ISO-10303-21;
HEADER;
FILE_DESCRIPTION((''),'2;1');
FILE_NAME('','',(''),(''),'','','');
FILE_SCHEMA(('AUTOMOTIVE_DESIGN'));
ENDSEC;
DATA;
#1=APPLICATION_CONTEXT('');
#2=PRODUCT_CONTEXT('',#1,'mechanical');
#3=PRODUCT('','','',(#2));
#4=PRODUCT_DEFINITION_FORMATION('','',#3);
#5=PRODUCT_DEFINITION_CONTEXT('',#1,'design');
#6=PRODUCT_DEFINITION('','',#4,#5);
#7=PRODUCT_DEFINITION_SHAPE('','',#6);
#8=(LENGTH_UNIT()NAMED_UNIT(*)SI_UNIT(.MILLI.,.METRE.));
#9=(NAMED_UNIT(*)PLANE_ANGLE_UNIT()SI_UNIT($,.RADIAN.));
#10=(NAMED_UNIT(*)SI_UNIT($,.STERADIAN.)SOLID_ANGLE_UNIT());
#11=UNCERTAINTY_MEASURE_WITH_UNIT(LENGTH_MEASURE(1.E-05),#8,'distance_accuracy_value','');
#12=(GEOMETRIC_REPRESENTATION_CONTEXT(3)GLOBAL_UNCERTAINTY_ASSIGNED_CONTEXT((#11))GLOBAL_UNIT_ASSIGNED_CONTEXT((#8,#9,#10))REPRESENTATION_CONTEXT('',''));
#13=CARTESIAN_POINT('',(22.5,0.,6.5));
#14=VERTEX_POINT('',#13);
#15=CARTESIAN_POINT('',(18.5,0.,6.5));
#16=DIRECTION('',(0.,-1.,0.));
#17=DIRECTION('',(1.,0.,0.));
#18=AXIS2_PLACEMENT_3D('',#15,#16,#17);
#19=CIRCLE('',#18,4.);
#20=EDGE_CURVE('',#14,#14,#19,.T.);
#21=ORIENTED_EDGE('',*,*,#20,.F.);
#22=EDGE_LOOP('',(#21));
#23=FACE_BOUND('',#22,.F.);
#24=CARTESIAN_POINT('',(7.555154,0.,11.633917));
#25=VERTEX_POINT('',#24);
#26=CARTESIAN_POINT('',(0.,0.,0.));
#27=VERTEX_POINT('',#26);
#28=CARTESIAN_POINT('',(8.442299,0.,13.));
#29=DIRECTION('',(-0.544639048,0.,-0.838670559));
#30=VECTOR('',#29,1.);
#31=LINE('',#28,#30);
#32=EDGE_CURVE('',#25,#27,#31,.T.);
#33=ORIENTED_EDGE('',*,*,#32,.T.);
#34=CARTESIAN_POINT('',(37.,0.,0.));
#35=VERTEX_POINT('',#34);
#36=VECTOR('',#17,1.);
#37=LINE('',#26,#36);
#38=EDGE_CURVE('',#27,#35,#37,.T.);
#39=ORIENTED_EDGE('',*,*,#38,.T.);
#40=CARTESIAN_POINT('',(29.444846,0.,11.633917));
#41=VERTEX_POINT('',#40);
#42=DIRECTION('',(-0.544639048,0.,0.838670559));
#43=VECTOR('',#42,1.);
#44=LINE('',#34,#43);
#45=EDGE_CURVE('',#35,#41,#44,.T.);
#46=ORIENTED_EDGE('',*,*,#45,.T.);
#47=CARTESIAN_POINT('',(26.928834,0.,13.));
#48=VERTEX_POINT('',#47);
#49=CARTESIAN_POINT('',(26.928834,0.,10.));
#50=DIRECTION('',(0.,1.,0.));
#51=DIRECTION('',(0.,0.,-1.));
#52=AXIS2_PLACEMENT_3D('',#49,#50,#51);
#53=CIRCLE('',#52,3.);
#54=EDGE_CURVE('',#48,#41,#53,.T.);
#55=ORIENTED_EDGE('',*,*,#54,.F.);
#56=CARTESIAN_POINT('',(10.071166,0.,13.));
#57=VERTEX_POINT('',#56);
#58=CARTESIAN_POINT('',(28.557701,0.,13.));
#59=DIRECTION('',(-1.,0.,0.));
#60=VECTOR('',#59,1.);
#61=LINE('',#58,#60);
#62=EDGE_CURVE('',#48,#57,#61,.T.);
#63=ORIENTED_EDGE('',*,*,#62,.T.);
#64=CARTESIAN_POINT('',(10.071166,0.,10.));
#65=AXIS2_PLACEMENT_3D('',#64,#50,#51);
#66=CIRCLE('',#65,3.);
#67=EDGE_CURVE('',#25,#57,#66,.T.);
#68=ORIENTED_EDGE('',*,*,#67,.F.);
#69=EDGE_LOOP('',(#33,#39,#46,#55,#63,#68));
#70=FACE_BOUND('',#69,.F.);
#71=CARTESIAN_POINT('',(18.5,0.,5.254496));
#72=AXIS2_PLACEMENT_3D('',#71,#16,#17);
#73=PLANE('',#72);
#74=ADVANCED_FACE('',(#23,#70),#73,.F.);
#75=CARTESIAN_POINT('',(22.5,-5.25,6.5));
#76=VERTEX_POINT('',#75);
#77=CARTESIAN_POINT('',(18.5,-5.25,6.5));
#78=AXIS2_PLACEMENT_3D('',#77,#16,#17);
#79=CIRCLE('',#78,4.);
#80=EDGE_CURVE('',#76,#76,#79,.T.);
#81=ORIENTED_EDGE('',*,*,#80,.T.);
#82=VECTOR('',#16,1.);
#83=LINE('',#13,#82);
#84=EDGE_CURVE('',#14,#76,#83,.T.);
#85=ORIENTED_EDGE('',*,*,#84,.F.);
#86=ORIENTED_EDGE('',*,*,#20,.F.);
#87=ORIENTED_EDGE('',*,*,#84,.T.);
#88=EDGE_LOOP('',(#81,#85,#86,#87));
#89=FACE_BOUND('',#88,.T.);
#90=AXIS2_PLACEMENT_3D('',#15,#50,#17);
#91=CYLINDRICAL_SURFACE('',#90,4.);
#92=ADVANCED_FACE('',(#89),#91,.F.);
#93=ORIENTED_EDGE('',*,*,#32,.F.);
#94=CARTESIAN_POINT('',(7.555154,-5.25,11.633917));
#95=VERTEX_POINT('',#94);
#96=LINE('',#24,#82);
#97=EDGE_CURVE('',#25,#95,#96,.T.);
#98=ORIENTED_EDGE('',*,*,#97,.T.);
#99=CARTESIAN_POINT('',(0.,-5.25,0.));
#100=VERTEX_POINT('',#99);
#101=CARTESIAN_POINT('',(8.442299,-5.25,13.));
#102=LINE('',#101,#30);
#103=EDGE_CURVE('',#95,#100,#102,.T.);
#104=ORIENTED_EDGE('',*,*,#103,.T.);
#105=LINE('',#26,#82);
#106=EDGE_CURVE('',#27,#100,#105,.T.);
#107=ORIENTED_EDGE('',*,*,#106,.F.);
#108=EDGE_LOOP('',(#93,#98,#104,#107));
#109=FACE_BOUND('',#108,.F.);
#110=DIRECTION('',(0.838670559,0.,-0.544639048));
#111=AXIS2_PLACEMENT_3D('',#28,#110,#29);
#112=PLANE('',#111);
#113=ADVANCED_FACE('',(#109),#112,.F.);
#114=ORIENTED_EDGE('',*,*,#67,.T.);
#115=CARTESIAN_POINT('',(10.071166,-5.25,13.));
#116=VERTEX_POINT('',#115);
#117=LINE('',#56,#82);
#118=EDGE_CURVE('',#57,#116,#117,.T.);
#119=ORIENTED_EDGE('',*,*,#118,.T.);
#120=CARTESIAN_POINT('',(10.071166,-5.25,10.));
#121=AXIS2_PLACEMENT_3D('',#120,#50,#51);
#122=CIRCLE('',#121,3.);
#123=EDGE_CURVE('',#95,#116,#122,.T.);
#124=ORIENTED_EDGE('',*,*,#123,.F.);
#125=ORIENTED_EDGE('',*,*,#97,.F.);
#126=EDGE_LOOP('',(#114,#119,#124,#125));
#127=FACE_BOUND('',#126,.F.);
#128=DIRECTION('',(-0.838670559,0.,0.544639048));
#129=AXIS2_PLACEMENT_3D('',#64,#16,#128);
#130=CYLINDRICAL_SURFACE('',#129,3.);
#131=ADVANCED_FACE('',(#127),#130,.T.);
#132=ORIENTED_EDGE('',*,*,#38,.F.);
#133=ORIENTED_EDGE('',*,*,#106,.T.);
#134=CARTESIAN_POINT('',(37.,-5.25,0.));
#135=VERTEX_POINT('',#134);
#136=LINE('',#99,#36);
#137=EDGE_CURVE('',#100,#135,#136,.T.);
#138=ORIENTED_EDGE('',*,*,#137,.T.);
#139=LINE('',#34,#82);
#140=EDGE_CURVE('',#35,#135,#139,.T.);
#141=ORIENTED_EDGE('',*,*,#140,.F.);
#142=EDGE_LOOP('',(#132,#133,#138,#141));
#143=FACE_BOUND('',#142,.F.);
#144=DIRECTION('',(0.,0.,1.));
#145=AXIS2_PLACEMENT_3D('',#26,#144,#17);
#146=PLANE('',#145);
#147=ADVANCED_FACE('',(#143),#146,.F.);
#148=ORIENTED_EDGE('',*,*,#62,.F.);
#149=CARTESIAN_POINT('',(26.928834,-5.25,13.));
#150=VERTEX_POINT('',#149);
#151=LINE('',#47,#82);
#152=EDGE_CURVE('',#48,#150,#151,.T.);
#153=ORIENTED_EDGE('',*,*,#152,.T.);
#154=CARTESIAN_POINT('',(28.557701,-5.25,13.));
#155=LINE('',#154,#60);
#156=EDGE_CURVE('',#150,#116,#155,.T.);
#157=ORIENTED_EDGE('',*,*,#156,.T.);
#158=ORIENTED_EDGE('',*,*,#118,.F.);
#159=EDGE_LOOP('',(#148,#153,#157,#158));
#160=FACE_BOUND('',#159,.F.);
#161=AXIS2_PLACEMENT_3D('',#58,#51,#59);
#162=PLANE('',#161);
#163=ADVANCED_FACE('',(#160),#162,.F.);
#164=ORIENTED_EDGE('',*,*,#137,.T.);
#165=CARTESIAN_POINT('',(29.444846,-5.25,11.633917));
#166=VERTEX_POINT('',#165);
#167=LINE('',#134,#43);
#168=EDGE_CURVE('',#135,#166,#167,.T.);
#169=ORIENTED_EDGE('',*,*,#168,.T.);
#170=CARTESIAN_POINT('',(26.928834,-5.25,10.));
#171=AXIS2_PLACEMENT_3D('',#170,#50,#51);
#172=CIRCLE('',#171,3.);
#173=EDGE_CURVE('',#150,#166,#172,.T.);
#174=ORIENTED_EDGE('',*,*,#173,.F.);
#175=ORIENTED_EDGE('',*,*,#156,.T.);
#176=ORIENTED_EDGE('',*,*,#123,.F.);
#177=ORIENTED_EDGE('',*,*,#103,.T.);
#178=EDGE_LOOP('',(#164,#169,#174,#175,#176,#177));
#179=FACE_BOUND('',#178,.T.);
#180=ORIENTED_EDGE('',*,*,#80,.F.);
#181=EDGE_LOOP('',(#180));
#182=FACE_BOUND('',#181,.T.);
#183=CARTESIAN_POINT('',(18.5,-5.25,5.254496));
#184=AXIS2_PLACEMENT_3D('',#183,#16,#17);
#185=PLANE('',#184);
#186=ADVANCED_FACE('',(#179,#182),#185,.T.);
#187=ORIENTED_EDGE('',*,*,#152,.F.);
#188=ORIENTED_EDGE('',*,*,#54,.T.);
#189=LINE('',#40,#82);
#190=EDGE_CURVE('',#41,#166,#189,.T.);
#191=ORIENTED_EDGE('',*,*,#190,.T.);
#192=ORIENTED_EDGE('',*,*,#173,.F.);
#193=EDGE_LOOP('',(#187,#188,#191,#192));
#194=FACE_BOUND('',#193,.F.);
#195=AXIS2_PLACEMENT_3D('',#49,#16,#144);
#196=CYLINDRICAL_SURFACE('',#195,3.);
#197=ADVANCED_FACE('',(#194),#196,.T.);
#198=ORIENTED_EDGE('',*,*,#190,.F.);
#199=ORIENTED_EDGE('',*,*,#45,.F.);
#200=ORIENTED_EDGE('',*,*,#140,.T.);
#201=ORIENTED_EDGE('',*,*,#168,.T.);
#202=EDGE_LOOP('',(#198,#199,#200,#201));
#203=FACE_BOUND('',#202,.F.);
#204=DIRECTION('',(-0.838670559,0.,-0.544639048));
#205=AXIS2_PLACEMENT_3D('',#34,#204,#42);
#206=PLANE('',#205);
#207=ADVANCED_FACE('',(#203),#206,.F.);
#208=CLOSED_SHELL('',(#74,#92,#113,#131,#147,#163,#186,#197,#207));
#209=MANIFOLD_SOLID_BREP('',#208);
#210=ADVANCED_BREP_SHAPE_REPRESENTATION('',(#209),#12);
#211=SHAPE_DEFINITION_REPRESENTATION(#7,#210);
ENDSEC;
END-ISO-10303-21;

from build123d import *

# Parameters (mm, degrees)
F0_R     = 4
F1_DEPTH = 5.25
F2_R     = 3


with BuildPart() as f1:
    # F0 (on Front) → F1 (new body)
    with BuildSketch(Plane.XZ):
        Polygon((8.442299, 13), (0, 0), (37, 0), (28.557701, 13), align=None)
        with Locations((18.5, 6.5)):
            Circle(F0_R, mode=Mode.SUBTRACT)
    extrude(amount=F1_DEPTH)

    # F2
    f2_edges = [f1.edges().sort_by_distance(p)[0] for p in [
        (8.442299, -2.625, 13),
        (28.557701, -2.625, 13),
    ]]
    fillet(f2_edges, radius=F2_R)


solid = f1.part
